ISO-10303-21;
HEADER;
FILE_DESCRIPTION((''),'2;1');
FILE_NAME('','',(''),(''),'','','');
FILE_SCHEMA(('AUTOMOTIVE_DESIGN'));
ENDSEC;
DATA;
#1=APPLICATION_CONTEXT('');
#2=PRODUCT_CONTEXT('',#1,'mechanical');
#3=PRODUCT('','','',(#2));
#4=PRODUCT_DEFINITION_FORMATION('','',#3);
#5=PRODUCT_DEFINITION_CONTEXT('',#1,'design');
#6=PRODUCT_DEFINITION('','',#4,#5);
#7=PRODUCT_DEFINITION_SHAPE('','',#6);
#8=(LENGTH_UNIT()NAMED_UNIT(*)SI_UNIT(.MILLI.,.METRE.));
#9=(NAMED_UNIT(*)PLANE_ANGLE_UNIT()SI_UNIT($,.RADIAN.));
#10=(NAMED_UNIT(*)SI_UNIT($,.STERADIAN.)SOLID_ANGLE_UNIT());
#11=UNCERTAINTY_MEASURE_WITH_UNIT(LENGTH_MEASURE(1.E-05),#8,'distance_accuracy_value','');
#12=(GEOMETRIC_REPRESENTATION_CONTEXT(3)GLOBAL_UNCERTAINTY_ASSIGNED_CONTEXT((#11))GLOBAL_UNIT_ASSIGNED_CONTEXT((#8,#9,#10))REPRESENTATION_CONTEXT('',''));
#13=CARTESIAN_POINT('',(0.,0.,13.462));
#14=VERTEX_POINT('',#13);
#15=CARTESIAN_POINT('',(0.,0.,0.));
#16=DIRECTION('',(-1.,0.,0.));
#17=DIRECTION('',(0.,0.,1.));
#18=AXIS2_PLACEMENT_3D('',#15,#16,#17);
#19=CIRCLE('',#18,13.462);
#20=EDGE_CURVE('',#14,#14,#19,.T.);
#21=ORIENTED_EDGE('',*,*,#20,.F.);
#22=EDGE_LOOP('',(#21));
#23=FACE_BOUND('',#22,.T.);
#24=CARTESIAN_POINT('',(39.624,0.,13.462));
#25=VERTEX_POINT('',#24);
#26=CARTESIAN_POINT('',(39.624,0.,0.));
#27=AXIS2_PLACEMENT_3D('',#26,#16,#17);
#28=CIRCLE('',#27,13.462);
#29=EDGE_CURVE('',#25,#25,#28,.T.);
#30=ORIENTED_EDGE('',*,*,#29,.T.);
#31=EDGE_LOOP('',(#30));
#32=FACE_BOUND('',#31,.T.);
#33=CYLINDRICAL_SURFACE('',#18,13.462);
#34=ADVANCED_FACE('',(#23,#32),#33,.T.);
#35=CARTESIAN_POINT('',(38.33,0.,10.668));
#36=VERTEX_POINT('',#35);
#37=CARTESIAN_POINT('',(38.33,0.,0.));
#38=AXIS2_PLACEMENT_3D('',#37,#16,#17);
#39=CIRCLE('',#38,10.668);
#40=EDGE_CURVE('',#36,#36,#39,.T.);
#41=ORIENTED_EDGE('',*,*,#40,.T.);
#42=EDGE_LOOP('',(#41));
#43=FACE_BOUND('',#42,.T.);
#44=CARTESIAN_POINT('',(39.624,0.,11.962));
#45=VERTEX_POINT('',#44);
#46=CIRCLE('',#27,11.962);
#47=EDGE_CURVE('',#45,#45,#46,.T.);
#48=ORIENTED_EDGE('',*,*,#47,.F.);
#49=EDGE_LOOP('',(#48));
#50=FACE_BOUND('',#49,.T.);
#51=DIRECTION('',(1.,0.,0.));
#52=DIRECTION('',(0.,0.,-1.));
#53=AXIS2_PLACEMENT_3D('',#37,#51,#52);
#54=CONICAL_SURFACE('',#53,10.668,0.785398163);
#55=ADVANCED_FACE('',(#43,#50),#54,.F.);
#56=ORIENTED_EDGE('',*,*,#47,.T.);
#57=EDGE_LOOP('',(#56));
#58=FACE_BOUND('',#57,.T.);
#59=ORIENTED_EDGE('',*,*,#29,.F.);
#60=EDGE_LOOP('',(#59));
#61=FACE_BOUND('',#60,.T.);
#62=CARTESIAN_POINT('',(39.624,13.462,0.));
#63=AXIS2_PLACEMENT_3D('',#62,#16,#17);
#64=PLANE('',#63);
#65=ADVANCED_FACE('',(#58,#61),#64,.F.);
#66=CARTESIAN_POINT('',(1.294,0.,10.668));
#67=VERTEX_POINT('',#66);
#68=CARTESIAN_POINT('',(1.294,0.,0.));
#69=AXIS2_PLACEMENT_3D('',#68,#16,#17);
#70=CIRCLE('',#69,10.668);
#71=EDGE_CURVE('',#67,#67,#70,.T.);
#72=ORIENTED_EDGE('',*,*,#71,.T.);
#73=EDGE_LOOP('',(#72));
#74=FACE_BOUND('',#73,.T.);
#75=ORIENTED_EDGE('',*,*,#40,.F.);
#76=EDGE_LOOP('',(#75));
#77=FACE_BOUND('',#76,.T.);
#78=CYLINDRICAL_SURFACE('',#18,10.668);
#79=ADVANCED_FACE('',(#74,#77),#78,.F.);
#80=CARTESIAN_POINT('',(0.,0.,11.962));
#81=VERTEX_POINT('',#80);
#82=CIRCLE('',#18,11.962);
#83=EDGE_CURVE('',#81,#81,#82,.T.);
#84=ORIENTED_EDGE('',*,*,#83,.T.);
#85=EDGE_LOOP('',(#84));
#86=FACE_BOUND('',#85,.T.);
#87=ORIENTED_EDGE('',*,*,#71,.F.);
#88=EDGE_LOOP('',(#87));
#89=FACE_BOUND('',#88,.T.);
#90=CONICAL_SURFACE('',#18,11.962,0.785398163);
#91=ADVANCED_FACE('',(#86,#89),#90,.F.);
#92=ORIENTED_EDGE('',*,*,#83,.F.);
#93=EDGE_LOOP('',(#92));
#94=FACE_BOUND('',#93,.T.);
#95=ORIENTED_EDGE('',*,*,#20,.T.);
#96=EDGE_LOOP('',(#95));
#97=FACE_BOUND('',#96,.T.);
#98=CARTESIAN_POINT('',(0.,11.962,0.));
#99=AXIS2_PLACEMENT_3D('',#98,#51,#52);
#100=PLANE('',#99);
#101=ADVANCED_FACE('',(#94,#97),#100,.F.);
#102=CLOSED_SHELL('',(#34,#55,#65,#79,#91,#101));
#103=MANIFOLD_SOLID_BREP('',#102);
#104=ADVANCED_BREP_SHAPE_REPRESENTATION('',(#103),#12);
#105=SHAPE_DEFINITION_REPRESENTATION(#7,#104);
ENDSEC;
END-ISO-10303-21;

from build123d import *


with BuildPart() as part:
    # Sketch1 → Revolve1 (revolve)
    with BuildSketch(Plane.XY, mode=Mode.PRIVATE) as revolve1_sk:
        Polygon((0, 13.462), (39.624, 13.462), (39.624, 11.962), (38.33, 10.668), (1.294, 10.668), (0, 11.962), align=None)
    revolve(revolve1_sk.sketch.rotate(Axis((0, 0, 0), (1, 0, 0)), 90), axis=Axis((0, 0, 0), (1, 0, 0)))


solid = part.part
